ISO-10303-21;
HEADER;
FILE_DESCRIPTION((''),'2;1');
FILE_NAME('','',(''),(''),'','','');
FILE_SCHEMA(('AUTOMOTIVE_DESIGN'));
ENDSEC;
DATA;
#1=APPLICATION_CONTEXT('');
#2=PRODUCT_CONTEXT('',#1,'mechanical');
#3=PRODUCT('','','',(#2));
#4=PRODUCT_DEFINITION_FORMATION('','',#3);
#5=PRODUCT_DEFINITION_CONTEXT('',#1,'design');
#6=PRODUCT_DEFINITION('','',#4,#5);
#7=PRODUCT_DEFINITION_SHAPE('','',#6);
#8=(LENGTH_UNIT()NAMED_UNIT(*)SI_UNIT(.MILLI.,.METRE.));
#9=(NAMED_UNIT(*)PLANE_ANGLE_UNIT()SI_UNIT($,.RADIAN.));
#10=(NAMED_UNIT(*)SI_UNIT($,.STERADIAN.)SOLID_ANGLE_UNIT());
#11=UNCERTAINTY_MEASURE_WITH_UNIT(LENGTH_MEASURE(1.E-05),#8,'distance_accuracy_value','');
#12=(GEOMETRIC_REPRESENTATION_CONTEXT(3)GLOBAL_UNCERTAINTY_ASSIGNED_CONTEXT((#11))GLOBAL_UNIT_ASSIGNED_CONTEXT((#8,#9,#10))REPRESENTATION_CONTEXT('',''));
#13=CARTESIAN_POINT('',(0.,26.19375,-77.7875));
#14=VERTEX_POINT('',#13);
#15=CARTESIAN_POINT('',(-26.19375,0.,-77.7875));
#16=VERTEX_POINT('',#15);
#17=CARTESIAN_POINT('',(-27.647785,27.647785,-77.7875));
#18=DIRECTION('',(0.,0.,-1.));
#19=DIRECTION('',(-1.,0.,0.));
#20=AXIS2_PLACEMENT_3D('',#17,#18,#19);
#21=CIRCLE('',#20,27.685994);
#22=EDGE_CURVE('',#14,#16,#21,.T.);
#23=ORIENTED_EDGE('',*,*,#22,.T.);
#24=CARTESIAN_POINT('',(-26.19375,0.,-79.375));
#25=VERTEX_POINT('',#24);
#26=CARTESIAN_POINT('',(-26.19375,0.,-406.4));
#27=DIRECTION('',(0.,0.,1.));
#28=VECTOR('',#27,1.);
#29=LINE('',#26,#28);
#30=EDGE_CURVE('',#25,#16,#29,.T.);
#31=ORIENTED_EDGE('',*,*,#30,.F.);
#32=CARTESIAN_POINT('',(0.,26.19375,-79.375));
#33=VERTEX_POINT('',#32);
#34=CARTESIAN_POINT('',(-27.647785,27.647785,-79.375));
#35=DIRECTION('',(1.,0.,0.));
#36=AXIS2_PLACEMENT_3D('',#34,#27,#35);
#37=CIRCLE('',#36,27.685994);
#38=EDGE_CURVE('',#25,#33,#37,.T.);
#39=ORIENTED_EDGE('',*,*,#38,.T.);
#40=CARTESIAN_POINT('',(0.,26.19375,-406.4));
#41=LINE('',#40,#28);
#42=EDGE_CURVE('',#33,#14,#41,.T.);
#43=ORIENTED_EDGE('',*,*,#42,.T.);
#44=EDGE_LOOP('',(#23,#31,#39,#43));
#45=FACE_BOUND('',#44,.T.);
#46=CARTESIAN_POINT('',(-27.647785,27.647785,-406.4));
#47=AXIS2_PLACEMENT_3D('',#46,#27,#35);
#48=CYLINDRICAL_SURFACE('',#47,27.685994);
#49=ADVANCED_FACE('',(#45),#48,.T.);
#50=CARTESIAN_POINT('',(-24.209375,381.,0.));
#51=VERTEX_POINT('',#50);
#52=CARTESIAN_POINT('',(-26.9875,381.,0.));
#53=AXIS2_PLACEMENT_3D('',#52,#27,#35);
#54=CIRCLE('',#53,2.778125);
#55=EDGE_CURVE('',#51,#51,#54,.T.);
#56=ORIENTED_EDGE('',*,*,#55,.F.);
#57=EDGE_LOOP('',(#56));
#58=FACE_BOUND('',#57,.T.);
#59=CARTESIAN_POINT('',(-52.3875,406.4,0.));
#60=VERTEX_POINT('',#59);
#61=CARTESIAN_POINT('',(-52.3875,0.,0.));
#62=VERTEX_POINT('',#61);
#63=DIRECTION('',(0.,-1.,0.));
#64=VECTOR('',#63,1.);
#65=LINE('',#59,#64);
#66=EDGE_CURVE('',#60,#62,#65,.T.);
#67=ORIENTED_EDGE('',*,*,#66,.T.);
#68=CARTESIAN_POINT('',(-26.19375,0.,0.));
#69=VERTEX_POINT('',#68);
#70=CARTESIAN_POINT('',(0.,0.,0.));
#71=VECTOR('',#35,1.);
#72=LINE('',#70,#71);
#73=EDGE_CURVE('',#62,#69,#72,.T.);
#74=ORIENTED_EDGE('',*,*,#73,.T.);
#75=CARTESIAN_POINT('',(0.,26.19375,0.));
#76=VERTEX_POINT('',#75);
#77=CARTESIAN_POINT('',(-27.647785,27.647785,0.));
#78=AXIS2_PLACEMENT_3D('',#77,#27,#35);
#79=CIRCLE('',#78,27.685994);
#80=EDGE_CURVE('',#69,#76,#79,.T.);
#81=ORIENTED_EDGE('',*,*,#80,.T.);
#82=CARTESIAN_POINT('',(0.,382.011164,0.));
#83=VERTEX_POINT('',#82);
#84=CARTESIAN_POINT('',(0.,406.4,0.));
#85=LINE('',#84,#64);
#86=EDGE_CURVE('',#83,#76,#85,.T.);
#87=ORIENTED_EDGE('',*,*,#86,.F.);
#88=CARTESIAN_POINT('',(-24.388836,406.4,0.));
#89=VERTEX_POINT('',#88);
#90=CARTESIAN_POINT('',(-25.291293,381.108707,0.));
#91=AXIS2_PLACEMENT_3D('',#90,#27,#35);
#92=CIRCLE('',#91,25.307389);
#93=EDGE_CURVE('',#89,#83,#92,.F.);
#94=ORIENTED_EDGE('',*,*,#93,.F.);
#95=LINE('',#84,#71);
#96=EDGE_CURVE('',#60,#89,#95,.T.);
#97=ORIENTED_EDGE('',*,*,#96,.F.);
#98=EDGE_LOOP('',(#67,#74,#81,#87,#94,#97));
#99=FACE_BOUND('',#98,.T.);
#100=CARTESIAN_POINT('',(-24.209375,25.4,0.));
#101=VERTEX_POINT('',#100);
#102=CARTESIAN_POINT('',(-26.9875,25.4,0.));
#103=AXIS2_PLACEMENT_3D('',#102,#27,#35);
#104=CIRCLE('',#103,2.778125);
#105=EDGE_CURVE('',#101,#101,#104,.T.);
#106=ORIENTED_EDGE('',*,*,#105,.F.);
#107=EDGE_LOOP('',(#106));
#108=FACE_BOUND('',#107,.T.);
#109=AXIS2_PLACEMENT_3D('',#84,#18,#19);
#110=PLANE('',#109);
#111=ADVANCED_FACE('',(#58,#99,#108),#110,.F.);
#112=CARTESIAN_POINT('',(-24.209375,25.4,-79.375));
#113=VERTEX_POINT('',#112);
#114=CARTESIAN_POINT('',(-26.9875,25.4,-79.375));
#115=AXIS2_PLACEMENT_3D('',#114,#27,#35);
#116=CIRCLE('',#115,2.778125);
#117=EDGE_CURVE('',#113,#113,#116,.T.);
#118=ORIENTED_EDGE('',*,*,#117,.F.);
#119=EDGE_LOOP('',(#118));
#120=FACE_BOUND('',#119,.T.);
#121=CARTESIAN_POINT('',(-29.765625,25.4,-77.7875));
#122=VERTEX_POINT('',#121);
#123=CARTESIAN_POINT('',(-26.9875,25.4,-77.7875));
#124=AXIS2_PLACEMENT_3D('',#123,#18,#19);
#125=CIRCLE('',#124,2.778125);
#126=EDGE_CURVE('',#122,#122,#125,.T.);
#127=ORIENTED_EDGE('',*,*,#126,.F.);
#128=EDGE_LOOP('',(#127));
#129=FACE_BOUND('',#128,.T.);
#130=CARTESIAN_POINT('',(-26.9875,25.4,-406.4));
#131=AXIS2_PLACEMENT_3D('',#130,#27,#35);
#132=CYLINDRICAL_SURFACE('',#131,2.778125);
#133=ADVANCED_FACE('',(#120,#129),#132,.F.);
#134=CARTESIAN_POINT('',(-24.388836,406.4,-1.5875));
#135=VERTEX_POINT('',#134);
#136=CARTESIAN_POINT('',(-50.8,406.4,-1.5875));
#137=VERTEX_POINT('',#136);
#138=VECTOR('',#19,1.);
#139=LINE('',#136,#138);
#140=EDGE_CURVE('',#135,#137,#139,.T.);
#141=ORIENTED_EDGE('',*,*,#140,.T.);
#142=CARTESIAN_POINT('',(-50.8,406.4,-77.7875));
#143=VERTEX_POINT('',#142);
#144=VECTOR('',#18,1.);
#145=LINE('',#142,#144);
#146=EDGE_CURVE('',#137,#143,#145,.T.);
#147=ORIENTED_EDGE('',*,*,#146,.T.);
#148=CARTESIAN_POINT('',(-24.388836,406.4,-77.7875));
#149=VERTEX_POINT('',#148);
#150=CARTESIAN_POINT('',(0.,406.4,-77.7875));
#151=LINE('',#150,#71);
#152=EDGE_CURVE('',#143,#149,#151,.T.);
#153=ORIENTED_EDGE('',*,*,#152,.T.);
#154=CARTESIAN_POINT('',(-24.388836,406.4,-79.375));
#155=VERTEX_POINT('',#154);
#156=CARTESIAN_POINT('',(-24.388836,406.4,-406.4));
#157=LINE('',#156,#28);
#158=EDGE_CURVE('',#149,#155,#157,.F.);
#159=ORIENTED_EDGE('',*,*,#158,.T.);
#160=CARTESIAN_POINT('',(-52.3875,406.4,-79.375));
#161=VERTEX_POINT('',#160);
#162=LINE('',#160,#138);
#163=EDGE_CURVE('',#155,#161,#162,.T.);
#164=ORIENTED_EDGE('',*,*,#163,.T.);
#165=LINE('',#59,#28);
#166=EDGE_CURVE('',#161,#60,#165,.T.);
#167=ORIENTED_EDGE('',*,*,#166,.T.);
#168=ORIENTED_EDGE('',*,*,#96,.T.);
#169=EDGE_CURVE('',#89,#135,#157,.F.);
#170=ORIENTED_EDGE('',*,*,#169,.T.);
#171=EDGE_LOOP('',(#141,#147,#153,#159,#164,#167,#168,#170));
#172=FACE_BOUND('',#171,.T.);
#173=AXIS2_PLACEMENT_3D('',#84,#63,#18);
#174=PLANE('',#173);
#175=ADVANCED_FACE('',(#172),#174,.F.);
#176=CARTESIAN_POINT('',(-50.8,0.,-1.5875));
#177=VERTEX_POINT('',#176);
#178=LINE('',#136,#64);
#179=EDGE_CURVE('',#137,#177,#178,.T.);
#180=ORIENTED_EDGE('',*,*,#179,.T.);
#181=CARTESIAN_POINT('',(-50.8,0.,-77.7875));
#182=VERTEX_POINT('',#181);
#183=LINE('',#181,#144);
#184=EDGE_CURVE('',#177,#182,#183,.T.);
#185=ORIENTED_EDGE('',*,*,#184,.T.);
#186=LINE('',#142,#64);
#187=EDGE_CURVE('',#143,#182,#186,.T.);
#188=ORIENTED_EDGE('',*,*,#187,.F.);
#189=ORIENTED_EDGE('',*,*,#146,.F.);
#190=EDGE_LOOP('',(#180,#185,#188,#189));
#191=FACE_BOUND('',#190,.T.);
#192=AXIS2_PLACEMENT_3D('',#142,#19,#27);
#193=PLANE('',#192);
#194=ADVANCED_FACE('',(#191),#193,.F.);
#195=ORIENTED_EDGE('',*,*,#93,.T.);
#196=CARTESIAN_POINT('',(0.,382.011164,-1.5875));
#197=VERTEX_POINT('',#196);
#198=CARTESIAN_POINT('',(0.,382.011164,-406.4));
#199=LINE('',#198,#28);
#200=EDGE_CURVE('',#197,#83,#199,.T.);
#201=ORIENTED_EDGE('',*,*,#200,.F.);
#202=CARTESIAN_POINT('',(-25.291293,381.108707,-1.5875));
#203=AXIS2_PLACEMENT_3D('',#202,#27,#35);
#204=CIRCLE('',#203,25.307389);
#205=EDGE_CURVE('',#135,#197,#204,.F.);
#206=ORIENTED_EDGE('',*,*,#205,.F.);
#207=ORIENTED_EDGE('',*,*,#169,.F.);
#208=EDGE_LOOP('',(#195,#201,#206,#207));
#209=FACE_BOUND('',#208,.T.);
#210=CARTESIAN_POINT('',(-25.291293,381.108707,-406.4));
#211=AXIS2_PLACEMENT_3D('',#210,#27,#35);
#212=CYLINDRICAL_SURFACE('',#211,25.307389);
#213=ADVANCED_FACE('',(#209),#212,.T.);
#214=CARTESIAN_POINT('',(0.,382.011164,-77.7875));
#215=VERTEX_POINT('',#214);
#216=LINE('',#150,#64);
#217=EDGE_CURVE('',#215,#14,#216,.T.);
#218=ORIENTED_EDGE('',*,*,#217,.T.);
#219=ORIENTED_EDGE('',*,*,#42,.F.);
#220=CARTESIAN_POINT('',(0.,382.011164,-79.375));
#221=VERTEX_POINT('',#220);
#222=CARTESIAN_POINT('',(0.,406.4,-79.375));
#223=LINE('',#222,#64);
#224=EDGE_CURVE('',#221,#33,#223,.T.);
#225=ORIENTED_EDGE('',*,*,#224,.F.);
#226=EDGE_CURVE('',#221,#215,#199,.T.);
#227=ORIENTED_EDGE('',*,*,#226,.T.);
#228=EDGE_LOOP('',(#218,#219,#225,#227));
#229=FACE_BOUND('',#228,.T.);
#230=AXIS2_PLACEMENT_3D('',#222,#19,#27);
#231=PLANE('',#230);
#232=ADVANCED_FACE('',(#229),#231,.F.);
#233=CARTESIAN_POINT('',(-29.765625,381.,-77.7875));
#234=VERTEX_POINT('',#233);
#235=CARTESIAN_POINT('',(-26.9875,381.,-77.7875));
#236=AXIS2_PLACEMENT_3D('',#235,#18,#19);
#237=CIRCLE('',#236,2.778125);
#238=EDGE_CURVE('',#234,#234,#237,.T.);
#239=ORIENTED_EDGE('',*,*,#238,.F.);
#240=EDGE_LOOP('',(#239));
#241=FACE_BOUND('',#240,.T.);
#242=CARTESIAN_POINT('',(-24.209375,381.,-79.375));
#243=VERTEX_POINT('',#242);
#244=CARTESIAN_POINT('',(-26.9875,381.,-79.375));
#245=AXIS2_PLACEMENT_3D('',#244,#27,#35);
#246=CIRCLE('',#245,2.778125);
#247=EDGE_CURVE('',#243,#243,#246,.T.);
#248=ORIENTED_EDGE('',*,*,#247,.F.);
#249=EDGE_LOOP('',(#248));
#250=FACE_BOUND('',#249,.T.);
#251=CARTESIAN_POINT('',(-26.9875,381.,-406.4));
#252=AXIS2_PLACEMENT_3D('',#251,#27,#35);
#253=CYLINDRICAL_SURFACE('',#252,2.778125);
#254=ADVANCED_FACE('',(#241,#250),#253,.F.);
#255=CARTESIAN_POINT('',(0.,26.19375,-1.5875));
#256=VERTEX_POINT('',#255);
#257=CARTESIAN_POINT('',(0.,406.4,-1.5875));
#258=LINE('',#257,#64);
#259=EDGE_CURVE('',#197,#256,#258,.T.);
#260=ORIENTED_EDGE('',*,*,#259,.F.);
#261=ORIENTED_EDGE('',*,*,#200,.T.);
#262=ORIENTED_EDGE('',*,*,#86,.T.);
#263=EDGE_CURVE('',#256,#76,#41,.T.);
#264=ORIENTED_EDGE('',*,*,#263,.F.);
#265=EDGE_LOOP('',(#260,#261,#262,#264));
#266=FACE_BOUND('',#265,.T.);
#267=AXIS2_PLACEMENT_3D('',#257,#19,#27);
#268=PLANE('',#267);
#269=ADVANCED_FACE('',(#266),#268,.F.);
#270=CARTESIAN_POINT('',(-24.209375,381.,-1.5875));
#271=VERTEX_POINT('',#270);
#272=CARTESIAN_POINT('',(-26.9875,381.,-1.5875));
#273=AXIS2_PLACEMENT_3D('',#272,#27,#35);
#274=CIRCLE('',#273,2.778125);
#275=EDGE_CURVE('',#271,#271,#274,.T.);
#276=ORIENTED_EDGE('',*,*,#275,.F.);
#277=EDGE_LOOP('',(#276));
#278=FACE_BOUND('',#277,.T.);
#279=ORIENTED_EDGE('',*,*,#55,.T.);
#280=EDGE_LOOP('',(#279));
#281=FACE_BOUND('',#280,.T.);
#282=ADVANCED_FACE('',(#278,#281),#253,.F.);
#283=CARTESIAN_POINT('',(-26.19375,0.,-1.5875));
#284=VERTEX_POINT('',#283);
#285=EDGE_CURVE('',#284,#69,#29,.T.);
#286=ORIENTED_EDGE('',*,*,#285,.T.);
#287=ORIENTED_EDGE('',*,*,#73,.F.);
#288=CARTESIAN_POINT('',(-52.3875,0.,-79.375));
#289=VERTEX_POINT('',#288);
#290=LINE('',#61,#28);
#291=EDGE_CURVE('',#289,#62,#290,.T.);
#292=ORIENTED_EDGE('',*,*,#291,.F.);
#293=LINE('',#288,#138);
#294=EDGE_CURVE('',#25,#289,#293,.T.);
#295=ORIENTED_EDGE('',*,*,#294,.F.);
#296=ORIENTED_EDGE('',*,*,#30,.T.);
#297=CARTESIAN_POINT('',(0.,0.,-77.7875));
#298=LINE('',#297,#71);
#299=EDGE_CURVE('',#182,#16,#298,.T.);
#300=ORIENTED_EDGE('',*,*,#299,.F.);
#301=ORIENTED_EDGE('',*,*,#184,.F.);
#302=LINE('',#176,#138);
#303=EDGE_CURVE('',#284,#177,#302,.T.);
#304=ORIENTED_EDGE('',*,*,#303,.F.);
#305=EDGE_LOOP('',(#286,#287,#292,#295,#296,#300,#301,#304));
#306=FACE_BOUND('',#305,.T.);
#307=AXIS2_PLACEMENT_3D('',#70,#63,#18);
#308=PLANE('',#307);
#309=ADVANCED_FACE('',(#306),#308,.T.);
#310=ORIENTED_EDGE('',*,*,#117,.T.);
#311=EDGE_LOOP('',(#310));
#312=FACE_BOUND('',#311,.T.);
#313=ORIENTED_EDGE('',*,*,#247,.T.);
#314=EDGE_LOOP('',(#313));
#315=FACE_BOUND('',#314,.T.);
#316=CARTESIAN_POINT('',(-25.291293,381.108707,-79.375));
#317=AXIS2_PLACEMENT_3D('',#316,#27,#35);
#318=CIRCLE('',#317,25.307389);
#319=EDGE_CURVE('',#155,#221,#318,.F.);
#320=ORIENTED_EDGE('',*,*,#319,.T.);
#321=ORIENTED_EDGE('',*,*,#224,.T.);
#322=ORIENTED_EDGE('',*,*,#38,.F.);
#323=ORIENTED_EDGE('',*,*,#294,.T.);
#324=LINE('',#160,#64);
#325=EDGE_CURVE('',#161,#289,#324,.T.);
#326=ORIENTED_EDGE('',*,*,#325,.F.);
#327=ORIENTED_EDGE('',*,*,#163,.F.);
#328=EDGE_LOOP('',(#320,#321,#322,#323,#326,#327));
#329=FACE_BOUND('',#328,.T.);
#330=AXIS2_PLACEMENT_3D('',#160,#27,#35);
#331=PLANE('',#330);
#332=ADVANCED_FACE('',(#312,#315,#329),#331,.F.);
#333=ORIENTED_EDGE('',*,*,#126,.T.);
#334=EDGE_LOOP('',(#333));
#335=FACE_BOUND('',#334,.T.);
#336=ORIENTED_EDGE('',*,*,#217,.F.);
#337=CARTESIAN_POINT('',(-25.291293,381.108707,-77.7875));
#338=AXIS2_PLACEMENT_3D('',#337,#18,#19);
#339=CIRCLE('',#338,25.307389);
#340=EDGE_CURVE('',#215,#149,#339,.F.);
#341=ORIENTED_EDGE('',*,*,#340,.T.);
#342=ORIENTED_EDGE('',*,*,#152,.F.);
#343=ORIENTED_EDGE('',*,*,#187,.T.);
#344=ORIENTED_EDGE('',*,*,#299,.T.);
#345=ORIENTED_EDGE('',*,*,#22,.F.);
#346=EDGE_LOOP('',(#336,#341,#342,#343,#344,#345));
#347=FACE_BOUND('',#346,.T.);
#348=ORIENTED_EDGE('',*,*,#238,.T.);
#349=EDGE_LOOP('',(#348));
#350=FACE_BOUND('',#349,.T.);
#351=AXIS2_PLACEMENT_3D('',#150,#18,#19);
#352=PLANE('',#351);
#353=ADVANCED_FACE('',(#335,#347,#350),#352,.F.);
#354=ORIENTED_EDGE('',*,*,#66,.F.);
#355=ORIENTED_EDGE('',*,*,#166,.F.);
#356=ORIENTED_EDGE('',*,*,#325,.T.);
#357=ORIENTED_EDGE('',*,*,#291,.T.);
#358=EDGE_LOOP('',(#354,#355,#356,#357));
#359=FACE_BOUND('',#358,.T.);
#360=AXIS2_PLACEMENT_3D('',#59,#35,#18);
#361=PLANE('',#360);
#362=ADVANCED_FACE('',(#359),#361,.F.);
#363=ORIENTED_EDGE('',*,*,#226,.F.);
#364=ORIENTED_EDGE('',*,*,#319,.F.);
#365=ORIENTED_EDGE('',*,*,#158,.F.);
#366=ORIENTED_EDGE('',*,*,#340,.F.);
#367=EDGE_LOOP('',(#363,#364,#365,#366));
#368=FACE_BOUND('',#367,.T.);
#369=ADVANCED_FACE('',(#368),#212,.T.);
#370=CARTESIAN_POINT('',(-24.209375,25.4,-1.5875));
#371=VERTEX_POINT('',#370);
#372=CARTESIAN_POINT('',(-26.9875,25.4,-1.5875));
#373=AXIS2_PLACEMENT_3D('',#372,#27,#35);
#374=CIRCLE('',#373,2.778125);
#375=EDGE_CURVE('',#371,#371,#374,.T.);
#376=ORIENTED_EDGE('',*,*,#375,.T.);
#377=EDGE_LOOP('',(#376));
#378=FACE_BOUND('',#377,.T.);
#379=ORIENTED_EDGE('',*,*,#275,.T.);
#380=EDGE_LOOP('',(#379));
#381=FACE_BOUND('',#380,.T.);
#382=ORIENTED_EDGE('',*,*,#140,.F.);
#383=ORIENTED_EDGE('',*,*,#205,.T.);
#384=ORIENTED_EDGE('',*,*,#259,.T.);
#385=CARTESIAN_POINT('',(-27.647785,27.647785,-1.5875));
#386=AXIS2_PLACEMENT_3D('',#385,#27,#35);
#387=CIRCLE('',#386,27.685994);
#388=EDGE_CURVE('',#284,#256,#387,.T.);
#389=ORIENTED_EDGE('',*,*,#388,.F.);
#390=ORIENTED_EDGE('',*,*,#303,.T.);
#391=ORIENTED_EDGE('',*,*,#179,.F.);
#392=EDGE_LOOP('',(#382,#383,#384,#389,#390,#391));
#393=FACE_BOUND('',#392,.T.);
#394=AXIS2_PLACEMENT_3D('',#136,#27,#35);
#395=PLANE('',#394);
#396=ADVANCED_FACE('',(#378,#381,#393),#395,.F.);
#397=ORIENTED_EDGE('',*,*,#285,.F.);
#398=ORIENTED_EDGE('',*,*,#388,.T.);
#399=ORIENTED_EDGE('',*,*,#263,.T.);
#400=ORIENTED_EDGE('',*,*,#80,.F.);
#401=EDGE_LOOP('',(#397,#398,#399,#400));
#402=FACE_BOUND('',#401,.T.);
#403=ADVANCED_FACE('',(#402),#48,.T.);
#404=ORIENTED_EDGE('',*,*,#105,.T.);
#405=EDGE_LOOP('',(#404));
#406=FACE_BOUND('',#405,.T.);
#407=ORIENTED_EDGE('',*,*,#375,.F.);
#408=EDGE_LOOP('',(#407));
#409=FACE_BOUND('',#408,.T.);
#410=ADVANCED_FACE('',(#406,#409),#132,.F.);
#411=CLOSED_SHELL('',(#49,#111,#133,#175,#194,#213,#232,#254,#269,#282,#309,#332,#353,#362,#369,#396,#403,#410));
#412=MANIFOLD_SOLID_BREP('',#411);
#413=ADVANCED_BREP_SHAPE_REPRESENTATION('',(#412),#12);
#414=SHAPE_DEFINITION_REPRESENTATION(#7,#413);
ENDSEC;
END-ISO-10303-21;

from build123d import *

# Parameters (mm, degrees)
BOSS_EXTRUDE1_DEPTH = 406.4
CUT_EXTRUDE1_DEPTH  = 406.4
SKETCH3_R           = 2.778125
CUT_EXTRUDE2_DEPTH  = 406.4


with BuildPart() as part:
    # Sketch1 → Boss-Extrude1 (new body)
    with BuildSketch(Plane(origin=(0, 0, 0), x_dir=(1, 0, 0), z_dir=(0, 1, 0))):
        Polygon((0, 0), (-52.3875, 0), (-52.3875, 79.375), (0, 79.375), (0, 77.7875), (-50.8, 77.7875), (-50.8, 1.5875), (0, 1.5875), align=None)
    extrude(amount=BOSS_EXTRUDE1_DEPTH)

    # Sketch2 → Cut-Extrude1 (cut)
    with BuildSketch(Plane.XY):
        with BuildLine():
            Line((0, 0), (0, 26.19375))
            ThreePointArc((0, 26.19375), (-8.070831371, 8.070831371), (-26.19375, 0))
            Line((-26.19375, 0), (0, 0))
        make_face()
        with BuildLine():
            Line((0, 382.011163771), (0, 406.4))
            Line((0, 406.4), (-24.388836229, 406.4))
            ThreePointArc((-24.388836229, 406.4), (-7.396266769, 399.003733231), (0, 382.011163771))
        make_face()
    extrude(amount=-CUT_EXTRUDE1_DEPTH, mode=Mode.SUBTRACT)

    # Sketch3 → Cut-Extrude2 (cut)
    with BuildSketch(Plane.XY):
        with Locations((-26.9875, 381)):
            Circle(SKETCH3_R)
        with Locations((-26.9875, 25.4)):
            Circle(SKETCH3_R)
    extrude(amount=-CUT_EXTRUDE2_DEPTH, mode=Mode.SUBTRACT)


solid = part.part
